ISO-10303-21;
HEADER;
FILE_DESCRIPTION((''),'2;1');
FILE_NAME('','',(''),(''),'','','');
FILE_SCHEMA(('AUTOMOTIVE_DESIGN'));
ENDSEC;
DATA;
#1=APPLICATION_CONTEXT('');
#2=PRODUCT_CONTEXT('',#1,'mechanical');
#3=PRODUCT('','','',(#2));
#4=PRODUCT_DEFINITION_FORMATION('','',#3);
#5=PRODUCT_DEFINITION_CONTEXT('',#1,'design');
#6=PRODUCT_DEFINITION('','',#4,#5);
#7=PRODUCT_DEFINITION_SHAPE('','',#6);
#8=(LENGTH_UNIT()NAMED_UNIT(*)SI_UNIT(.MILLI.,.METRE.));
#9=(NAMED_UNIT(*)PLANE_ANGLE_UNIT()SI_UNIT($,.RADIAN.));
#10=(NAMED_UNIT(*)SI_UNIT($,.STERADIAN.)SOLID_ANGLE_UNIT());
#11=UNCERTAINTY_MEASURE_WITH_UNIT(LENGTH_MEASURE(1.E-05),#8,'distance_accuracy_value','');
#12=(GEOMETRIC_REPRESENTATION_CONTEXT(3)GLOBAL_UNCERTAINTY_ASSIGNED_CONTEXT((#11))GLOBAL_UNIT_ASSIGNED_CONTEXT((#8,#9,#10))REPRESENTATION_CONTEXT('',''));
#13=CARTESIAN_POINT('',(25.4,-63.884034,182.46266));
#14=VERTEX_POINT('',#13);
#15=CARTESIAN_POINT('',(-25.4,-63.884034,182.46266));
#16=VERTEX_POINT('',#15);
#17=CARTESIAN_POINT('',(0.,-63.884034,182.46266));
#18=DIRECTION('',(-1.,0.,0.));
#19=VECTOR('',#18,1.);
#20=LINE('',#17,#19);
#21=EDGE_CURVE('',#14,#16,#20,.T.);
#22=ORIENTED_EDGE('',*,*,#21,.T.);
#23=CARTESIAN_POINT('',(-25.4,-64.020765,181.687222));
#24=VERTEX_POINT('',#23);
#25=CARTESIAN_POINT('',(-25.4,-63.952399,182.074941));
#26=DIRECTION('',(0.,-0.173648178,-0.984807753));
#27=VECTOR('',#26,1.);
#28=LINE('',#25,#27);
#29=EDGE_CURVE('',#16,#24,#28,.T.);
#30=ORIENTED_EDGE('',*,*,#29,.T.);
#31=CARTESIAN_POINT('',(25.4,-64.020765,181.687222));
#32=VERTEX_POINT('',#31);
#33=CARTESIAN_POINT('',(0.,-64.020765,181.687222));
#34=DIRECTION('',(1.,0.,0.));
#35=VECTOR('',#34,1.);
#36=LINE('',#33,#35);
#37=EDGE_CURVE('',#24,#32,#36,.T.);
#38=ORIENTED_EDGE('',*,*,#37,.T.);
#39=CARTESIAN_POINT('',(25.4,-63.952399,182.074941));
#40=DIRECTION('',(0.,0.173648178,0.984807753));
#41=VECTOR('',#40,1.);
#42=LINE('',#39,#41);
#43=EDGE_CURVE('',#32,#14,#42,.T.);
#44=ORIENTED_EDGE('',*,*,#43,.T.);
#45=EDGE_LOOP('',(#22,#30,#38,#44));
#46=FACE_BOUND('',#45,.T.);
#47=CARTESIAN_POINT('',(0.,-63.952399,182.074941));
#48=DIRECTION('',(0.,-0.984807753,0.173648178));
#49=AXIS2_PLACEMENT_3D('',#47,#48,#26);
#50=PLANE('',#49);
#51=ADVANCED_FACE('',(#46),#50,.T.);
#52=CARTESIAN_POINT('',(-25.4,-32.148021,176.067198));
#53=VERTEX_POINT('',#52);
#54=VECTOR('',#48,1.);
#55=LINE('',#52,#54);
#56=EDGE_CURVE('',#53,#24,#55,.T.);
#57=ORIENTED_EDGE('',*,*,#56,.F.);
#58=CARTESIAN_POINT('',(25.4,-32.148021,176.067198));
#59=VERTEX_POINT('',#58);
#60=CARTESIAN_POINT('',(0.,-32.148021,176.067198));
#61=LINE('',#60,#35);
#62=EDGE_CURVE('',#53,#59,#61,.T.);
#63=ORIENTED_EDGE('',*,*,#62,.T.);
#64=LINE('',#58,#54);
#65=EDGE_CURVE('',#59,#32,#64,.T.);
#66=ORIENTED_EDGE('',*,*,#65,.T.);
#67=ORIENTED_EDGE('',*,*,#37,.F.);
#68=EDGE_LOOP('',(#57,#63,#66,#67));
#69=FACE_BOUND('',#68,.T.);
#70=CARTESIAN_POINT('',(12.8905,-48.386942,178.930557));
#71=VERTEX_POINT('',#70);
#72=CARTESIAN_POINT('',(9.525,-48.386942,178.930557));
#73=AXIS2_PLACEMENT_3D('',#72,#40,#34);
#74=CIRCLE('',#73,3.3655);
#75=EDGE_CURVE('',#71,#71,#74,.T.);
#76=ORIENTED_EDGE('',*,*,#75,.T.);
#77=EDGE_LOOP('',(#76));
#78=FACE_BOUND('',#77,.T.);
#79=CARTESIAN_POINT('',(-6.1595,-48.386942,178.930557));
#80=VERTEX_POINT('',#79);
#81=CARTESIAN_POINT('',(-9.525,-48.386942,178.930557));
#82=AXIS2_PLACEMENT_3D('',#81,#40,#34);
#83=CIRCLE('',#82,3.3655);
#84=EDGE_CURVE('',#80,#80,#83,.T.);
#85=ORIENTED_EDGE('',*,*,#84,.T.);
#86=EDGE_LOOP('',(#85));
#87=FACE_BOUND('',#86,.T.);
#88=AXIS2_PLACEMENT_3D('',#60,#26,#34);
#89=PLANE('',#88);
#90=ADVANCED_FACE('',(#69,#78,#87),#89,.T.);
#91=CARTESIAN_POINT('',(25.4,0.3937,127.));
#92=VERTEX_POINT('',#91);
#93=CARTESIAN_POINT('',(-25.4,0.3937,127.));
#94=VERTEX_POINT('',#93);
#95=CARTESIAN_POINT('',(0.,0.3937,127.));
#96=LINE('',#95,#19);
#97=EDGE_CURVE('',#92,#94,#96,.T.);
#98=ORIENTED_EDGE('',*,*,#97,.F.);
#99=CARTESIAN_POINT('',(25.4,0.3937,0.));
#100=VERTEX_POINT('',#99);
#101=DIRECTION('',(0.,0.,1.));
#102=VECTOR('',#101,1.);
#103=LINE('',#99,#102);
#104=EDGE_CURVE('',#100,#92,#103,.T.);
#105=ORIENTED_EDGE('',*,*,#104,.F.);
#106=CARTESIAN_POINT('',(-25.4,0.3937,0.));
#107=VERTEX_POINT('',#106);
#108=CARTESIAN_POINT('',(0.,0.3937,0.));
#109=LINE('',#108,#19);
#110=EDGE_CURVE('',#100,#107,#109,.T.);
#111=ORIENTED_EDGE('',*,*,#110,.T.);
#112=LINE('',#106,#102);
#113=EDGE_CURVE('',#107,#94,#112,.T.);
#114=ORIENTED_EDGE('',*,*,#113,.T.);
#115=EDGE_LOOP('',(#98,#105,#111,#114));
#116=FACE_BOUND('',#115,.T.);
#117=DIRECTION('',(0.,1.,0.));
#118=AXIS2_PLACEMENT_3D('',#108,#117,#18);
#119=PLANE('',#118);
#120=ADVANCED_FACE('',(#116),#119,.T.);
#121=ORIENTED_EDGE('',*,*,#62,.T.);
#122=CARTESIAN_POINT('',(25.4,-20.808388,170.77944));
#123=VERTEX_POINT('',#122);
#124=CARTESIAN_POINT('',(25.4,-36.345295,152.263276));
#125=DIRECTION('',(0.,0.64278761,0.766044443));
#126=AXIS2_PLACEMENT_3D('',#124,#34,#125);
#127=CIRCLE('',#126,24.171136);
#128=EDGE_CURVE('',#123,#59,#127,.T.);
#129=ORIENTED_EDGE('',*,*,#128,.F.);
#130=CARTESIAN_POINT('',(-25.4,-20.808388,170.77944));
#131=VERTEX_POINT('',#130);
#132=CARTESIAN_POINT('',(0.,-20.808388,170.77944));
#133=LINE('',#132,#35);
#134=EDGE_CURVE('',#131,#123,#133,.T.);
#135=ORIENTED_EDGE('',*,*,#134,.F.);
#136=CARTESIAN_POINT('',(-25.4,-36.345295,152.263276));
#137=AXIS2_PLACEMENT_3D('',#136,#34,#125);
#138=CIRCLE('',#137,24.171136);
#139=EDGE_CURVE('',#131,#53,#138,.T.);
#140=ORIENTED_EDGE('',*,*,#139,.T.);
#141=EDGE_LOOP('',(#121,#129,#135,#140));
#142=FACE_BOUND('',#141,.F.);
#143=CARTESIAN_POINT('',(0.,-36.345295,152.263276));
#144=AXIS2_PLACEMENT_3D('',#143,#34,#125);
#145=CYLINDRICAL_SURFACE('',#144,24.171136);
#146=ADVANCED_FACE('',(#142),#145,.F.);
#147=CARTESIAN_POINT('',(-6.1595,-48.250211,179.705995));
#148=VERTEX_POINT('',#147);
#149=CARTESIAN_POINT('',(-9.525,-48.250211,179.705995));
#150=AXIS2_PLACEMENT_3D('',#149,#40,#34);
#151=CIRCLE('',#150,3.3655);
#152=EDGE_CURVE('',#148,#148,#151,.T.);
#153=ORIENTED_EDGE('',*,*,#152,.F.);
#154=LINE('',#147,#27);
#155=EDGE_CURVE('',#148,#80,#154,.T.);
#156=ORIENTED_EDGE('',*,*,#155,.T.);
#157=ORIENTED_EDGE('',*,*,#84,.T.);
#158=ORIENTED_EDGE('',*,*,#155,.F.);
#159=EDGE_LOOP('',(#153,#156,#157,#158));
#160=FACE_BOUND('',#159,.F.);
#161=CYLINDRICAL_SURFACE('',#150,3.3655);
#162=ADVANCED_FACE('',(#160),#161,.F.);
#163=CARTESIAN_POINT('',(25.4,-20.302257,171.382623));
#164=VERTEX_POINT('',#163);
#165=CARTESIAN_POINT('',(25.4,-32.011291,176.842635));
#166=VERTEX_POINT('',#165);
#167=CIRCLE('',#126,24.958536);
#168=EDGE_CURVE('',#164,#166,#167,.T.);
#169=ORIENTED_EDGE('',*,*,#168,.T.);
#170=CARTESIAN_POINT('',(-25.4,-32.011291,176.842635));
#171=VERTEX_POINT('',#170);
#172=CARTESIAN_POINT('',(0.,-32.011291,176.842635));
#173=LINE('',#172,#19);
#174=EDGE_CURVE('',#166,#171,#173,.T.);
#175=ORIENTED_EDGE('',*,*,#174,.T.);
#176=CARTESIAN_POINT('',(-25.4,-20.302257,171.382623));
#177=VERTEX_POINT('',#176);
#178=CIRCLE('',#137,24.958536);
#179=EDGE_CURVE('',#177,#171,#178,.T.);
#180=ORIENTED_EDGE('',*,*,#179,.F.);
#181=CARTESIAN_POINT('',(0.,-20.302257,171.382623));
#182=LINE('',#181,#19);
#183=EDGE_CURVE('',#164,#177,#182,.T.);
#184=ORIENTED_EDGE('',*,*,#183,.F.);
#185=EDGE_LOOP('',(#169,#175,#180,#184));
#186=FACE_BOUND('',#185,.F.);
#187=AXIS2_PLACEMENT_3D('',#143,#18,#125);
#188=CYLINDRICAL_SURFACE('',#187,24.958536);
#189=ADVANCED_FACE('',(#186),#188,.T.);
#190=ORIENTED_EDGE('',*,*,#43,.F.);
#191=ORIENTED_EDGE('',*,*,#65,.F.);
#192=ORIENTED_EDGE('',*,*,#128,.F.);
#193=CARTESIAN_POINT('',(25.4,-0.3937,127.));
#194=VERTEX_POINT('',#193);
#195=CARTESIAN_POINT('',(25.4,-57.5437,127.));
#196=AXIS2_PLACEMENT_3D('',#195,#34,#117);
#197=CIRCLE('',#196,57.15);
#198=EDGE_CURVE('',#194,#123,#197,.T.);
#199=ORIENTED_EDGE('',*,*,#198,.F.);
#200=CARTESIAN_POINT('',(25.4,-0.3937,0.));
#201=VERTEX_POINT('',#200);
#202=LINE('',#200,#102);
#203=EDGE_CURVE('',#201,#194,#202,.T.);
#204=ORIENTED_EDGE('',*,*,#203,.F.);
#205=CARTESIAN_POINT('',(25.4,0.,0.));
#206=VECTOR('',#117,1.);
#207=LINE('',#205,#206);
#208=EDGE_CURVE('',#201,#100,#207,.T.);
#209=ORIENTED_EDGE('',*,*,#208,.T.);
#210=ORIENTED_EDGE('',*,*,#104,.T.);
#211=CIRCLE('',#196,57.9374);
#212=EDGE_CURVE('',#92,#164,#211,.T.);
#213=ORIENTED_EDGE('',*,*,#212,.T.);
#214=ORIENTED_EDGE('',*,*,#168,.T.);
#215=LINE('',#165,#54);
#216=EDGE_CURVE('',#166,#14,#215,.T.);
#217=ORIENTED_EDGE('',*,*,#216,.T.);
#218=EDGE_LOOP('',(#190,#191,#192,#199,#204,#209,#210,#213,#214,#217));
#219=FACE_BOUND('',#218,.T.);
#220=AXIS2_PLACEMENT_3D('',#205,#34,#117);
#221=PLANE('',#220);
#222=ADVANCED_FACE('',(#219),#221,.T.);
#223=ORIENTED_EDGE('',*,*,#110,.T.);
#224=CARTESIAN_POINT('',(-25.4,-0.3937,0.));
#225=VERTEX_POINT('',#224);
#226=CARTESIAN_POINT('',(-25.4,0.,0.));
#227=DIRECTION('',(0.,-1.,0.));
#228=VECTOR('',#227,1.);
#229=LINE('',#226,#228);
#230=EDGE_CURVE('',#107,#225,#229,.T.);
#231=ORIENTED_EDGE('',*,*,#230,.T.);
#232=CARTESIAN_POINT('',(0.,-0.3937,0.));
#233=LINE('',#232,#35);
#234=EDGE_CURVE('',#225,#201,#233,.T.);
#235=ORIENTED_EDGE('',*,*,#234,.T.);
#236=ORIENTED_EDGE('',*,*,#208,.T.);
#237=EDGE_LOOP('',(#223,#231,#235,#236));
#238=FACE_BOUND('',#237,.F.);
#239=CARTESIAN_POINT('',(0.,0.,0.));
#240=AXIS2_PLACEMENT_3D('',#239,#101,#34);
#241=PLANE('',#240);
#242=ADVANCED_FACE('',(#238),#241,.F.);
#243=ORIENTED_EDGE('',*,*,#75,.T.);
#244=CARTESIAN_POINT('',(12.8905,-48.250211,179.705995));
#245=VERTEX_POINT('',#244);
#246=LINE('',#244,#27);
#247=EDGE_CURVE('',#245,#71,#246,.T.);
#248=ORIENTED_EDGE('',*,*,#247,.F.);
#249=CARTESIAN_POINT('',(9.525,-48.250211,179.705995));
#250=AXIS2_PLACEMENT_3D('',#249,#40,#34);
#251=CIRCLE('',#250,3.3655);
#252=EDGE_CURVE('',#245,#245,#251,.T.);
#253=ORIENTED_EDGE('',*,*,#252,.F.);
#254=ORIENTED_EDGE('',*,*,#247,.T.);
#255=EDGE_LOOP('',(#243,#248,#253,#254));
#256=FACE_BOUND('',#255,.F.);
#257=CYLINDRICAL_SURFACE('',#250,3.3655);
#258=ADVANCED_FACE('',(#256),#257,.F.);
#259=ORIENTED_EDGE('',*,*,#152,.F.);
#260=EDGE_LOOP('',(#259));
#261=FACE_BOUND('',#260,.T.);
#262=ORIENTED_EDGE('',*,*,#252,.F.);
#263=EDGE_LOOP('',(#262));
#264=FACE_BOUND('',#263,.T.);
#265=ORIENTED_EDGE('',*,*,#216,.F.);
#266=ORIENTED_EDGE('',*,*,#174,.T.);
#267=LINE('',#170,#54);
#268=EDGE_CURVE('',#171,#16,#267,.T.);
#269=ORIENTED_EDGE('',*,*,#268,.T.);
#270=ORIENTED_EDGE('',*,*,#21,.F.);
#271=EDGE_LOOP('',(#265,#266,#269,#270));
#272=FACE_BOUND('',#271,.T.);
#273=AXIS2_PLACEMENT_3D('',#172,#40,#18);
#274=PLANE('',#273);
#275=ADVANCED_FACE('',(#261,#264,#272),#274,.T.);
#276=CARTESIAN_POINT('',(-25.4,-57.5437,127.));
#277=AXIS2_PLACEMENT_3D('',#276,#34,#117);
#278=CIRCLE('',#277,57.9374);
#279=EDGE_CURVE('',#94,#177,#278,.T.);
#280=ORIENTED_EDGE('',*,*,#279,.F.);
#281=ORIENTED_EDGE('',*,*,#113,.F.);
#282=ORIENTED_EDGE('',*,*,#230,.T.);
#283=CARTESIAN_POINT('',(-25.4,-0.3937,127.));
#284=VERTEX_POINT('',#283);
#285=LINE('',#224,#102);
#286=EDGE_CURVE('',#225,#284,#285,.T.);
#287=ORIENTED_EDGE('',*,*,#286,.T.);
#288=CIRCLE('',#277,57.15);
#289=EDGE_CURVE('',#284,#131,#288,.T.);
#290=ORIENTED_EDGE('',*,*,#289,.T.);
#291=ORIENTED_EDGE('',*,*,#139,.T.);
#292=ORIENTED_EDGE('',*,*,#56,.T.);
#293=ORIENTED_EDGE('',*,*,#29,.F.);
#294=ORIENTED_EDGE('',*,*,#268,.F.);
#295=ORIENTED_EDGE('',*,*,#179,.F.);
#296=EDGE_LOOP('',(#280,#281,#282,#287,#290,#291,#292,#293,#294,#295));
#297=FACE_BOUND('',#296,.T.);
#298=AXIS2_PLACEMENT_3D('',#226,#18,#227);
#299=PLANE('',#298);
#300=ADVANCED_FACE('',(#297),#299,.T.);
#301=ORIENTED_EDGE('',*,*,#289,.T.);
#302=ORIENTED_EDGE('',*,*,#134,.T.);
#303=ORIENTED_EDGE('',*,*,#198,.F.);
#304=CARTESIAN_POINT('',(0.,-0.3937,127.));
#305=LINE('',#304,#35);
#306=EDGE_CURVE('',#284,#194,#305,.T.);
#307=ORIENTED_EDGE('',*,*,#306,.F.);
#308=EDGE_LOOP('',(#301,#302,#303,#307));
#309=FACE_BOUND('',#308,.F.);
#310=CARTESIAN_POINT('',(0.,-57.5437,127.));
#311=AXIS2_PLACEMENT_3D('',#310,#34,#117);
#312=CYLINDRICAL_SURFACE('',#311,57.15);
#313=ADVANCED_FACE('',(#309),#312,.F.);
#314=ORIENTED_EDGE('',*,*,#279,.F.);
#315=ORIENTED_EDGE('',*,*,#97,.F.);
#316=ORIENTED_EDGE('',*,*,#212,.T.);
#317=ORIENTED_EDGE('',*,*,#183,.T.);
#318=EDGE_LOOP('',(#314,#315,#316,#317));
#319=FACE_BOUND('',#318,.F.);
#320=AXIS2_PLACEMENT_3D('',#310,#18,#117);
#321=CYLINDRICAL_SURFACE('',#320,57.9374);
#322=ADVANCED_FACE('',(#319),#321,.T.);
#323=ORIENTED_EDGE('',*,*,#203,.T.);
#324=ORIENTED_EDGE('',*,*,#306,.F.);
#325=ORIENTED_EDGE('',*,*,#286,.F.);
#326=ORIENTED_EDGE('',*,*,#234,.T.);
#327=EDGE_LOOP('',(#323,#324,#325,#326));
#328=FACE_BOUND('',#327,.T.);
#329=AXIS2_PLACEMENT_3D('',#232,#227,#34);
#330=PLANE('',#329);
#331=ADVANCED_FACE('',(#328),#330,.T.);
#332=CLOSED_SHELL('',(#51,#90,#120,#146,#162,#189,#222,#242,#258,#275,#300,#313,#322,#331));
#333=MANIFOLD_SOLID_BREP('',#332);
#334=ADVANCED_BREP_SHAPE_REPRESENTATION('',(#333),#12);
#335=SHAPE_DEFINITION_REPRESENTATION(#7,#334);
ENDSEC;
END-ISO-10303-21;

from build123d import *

# Parameters (mm, degrees)
F0_W     = 50.8
F0_H     = 0.7874
F3_R     = 3.3655
F4_DEPTH = 25.4


with BuildPart() as f2:
    # F2: sweep along a path in F1
    with BuildLine(Plane.YZ) as f2_path:
        Line((0, 0), (0, 127))
        ThreePointArc((0, 127), (-5.3913965951, 151.3190184681), (-20.5553226245, 171.0810316215))
        ThreePointArc((-20.5553226245, 171.0810316215), (-25.9637465294, 174.5265776491), (-32.0796557913, 176.4549164323))
        Line((-32.0796557913, 176.4549164323), (-63.9523993907, 182.0749410781))
    # F0 (on Top) → F2 (sweep)
    with BuildSketch(Plane.XY):
        Rectangle(F0_W, F0_H)
    sweep(path=f2_path.line)

    # F3 (on face) → F4 (cut)
    with BuildSketch(Plane(origin=(0, 29.2766132085, 166.0359242292), x_dir=(1, 0, 0), z_dir=(0, 0.1736481777, 0.984807753))):
        with Locations((-9.525, -78.7228004607)):
            Circle(F3_R)
        with Locations((9.525, -78.7228004607)):
            Circle(F3_R)
    extrude(amount=-F4_DEPTH, mode=Mode.SUBTRACT)


solid = f2.part
